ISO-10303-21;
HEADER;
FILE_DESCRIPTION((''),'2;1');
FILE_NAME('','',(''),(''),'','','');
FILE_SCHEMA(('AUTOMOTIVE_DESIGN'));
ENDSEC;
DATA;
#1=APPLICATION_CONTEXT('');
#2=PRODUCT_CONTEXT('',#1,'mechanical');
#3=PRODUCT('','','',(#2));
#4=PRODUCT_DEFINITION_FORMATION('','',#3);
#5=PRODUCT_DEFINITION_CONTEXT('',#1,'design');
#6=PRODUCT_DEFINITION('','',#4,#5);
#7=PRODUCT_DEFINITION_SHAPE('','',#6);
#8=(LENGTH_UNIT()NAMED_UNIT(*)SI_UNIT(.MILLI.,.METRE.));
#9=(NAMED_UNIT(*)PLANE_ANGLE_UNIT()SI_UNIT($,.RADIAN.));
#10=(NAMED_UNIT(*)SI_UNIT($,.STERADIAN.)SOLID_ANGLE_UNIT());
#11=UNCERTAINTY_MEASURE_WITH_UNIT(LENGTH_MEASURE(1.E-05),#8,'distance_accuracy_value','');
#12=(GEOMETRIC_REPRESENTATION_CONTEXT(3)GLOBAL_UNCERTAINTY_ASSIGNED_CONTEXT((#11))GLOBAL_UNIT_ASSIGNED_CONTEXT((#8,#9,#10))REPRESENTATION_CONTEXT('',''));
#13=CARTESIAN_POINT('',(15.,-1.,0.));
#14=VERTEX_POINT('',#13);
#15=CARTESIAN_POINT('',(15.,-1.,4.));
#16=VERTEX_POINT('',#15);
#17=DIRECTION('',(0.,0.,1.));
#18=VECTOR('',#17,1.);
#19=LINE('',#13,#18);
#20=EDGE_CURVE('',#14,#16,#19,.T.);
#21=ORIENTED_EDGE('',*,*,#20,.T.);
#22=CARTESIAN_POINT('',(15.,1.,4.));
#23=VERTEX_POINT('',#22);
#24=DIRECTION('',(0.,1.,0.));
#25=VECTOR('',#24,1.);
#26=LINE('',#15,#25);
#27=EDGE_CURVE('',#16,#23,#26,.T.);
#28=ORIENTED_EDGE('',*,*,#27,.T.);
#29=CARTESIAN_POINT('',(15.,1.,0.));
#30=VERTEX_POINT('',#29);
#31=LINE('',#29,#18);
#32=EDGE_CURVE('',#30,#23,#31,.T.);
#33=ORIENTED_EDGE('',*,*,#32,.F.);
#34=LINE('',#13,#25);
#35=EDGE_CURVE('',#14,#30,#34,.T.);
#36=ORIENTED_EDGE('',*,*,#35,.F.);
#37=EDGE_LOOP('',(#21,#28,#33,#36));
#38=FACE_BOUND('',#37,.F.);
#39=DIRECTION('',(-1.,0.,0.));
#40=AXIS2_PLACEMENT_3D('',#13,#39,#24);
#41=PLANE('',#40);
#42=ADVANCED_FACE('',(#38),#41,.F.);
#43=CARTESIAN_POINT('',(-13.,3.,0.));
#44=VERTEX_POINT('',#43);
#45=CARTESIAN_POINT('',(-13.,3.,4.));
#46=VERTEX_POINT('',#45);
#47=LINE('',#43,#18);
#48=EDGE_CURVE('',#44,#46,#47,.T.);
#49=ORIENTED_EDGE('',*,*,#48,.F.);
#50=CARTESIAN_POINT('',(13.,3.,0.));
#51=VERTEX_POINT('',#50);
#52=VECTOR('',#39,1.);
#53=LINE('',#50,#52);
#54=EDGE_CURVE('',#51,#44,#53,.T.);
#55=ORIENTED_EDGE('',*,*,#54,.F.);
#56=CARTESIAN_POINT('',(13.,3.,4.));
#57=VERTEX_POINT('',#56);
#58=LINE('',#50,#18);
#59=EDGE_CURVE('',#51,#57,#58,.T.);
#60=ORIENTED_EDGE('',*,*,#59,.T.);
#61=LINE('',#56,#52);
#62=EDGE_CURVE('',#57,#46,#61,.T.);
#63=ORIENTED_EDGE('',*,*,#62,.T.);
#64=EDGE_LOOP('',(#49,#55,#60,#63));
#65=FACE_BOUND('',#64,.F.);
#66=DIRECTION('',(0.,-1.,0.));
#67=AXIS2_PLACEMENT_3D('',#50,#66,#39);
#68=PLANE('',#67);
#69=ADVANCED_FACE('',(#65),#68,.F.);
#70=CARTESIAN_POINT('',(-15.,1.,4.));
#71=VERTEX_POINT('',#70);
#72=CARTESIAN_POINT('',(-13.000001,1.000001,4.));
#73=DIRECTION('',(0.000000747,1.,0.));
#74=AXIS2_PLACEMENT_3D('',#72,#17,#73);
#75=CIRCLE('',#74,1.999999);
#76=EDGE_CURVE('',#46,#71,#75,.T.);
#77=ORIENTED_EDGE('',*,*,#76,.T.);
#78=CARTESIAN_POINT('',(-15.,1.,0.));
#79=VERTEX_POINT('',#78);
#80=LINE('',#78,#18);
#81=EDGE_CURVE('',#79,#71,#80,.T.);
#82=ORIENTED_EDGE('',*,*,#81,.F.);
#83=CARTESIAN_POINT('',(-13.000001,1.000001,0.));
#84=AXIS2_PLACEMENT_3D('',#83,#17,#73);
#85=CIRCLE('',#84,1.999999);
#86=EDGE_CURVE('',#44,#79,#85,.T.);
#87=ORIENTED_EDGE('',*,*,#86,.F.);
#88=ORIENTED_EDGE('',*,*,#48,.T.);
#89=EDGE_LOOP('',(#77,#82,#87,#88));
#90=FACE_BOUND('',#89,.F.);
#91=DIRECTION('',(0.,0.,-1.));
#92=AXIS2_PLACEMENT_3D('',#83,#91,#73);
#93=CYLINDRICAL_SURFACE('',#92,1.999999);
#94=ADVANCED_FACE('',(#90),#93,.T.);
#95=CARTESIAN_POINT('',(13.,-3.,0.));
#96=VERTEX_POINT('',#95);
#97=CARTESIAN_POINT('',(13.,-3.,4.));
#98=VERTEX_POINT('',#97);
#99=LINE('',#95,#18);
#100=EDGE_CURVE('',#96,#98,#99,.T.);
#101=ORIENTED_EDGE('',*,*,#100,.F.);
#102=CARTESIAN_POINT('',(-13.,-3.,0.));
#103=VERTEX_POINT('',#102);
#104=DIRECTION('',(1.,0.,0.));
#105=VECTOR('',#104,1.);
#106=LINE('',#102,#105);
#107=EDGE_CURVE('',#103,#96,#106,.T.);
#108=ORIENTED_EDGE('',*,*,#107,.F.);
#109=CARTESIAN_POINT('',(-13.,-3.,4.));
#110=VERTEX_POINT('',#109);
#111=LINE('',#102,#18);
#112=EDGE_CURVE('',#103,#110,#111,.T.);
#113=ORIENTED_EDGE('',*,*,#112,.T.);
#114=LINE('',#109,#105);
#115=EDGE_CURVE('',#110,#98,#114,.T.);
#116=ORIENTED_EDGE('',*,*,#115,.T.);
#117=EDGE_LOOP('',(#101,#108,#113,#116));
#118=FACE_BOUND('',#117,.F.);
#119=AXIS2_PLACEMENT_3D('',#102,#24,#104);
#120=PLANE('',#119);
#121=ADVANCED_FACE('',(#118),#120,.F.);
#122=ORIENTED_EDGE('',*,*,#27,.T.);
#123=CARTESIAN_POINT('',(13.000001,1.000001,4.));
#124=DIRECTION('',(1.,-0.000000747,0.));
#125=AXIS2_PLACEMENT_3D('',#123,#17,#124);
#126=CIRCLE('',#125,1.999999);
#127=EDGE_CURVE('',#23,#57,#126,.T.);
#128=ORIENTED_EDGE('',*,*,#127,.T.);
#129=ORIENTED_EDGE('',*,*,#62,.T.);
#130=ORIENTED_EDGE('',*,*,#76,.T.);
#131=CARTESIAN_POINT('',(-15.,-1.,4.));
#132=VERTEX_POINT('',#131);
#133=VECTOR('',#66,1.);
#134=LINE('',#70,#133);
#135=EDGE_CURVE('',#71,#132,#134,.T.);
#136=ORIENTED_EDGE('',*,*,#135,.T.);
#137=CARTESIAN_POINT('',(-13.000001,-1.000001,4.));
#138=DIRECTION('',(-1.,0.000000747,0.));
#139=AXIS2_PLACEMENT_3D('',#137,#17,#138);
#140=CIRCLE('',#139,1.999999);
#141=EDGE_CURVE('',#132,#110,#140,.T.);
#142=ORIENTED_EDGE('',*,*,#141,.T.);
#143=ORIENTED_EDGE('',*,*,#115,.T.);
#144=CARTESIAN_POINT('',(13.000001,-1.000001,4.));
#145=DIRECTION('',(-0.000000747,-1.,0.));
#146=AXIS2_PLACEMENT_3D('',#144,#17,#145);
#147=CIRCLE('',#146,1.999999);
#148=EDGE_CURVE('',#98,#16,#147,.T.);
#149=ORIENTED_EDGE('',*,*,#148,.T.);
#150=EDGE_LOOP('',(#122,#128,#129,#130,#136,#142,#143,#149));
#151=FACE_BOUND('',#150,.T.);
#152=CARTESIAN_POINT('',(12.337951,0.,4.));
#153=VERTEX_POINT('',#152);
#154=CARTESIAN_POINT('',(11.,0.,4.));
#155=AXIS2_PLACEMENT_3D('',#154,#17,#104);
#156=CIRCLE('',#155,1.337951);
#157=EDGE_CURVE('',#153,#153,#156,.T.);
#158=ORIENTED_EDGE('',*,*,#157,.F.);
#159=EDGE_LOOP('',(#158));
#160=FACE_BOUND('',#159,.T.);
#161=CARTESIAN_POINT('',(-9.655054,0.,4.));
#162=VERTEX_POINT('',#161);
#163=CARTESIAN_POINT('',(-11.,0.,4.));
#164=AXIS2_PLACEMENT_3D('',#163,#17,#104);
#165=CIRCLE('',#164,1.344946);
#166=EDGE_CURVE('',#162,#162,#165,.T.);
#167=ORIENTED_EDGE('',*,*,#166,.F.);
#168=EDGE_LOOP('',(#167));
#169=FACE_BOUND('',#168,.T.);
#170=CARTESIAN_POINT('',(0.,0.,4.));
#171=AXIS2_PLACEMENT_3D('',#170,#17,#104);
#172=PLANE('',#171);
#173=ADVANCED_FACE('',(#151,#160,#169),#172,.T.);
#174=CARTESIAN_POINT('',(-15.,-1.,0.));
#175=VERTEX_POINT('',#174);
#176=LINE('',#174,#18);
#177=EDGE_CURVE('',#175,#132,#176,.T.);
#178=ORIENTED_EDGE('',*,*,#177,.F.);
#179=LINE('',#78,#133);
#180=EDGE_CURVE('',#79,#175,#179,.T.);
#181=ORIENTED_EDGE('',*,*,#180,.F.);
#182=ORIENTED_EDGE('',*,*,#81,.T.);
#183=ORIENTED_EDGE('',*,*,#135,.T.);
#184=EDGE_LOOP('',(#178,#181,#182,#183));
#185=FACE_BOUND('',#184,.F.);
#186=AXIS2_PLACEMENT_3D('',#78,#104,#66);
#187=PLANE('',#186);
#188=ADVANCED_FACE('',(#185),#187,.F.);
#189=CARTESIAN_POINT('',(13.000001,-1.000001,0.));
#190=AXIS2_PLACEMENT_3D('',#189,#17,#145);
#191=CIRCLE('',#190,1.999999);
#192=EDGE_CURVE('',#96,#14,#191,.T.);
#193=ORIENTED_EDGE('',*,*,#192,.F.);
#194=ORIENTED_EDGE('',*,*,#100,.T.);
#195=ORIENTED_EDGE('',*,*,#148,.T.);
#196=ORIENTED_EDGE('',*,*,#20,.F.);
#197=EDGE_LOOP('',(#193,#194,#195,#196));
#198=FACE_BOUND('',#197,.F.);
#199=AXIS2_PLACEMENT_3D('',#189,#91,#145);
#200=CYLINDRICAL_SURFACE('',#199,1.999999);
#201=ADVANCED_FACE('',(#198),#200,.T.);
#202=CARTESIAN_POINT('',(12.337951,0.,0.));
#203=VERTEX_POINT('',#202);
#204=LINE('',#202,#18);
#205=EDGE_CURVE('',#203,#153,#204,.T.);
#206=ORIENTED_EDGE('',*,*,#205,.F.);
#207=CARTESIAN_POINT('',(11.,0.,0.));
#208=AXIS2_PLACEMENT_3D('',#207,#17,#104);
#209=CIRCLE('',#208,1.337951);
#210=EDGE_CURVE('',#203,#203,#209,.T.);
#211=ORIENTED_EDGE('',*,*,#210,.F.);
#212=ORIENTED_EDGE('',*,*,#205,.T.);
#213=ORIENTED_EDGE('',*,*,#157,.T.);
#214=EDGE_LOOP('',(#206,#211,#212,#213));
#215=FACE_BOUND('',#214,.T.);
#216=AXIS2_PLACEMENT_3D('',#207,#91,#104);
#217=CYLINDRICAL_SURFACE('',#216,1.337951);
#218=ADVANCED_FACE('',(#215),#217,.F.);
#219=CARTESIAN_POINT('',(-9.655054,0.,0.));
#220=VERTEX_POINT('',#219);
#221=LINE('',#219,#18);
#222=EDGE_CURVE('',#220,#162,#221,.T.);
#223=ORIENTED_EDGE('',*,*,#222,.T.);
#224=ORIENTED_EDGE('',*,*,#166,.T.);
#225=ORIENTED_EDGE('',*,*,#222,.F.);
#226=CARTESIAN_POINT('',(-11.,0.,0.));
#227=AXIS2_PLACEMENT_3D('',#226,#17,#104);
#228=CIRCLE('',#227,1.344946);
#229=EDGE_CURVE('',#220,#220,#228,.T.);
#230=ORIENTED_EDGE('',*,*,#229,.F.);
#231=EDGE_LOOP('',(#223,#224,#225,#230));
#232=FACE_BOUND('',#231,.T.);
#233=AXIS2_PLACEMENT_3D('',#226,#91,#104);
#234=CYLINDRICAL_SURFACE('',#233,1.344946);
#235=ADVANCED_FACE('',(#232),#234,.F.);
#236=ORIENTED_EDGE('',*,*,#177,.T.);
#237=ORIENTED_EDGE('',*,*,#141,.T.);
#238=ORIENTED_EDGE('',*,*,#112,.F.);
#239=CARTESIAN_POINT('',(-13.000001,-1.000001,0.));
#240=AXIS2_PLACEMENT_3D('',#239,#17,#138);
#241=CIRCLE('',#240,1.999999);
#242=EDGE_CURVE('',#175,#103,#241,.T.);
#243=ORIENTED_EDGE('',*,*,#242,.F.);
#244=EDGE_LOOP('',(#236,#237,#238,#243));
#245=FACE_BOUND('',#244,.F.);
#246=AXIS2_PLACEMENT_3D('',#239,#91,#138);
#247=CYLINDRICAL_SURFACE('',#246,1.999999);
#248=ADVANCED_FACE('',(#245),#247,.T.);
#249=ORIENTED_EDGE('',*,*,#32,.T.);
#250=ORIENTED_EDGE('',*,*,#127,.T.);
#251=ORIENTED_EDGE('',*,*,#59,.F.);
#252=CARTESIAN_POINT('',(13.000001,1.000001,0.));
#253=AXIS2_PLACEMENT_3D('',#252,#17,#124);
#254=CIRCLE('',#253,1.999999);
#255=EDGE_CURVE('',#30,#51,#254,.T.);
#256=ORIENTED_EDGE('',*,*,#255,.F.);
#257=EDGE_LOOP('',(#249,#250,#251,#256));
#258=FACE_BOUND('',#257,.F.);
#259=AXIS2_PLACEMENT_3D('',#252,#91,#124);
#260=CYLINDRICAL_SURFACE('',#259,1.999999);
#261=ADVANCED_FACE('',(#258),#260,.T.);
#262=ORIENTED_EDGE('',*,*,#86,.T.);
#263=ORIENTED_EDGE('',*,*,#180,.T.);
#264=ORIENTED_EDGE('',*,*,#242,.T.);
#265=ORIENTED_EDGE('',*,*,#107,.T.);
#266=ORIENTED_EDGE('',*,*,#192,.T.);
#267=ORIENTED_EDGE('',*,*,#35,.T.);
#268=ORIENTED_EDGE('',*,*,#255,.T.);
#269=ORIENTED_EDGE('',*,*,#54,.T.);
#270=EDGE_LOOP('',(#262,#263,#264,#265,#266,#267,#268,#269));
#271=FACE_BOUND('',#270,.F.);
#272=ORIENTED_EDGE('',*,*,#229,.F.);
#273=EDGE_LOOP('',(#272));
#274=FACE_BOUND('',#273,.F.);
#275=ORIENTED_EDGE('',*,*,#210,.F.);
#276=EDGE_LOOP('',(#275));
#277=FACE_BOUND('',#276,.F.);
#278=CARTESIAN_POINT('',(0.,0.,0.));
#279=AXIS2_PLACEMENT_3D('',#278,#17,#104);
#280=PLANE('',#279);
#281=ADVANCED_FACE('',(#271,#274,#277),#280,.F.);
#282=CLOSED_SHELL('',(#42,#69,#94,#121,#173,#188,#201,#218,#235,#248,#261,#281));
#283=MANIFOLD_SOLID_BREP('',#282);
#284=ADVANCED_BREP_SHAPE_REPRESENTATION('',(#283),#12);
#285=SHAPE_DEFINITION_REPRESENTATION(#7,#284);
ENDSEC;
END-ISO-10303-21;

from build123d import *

# Parameters (mm, degrees)
F0_R     = 1.344946
F0_R_2   = 1.337951
F1_DEPTH = 4


with BuildPart() as f1:
    # F0 (on Top) → F1 (new body)
    with BuildSketch(Plane.XY):
        with BuildLine():
            ThreePointArc((15, 1), (14.414214, 2.414214), (13, 3))
            Line((13, 3), (-13, 3))
            ThreePointArc((-13, 3), (-14.414214, 2.414214), (-15, 1))
            Line((-15, 1), (-15, -1))
            ThreePointArc((-15, -1), (-14.414214, -2.414214), (-13, -3))
            Line((-13, -3), (13, -3))
            ThreePointArc((13, -3), (14.414214, -2.414214), (15, -1))
            Line((15, -1), (15, 1))
        make_face()
        with Locations((-11, 0)):
            Circle(F0_R, mode=Mode.SUBTRACT)
        with Locations((11, 0)):
            Circle(F0_R_2, mode=Mode.SUBTRACT)
    extrude(amount=F1_DEPTH)


solid = f1.part
